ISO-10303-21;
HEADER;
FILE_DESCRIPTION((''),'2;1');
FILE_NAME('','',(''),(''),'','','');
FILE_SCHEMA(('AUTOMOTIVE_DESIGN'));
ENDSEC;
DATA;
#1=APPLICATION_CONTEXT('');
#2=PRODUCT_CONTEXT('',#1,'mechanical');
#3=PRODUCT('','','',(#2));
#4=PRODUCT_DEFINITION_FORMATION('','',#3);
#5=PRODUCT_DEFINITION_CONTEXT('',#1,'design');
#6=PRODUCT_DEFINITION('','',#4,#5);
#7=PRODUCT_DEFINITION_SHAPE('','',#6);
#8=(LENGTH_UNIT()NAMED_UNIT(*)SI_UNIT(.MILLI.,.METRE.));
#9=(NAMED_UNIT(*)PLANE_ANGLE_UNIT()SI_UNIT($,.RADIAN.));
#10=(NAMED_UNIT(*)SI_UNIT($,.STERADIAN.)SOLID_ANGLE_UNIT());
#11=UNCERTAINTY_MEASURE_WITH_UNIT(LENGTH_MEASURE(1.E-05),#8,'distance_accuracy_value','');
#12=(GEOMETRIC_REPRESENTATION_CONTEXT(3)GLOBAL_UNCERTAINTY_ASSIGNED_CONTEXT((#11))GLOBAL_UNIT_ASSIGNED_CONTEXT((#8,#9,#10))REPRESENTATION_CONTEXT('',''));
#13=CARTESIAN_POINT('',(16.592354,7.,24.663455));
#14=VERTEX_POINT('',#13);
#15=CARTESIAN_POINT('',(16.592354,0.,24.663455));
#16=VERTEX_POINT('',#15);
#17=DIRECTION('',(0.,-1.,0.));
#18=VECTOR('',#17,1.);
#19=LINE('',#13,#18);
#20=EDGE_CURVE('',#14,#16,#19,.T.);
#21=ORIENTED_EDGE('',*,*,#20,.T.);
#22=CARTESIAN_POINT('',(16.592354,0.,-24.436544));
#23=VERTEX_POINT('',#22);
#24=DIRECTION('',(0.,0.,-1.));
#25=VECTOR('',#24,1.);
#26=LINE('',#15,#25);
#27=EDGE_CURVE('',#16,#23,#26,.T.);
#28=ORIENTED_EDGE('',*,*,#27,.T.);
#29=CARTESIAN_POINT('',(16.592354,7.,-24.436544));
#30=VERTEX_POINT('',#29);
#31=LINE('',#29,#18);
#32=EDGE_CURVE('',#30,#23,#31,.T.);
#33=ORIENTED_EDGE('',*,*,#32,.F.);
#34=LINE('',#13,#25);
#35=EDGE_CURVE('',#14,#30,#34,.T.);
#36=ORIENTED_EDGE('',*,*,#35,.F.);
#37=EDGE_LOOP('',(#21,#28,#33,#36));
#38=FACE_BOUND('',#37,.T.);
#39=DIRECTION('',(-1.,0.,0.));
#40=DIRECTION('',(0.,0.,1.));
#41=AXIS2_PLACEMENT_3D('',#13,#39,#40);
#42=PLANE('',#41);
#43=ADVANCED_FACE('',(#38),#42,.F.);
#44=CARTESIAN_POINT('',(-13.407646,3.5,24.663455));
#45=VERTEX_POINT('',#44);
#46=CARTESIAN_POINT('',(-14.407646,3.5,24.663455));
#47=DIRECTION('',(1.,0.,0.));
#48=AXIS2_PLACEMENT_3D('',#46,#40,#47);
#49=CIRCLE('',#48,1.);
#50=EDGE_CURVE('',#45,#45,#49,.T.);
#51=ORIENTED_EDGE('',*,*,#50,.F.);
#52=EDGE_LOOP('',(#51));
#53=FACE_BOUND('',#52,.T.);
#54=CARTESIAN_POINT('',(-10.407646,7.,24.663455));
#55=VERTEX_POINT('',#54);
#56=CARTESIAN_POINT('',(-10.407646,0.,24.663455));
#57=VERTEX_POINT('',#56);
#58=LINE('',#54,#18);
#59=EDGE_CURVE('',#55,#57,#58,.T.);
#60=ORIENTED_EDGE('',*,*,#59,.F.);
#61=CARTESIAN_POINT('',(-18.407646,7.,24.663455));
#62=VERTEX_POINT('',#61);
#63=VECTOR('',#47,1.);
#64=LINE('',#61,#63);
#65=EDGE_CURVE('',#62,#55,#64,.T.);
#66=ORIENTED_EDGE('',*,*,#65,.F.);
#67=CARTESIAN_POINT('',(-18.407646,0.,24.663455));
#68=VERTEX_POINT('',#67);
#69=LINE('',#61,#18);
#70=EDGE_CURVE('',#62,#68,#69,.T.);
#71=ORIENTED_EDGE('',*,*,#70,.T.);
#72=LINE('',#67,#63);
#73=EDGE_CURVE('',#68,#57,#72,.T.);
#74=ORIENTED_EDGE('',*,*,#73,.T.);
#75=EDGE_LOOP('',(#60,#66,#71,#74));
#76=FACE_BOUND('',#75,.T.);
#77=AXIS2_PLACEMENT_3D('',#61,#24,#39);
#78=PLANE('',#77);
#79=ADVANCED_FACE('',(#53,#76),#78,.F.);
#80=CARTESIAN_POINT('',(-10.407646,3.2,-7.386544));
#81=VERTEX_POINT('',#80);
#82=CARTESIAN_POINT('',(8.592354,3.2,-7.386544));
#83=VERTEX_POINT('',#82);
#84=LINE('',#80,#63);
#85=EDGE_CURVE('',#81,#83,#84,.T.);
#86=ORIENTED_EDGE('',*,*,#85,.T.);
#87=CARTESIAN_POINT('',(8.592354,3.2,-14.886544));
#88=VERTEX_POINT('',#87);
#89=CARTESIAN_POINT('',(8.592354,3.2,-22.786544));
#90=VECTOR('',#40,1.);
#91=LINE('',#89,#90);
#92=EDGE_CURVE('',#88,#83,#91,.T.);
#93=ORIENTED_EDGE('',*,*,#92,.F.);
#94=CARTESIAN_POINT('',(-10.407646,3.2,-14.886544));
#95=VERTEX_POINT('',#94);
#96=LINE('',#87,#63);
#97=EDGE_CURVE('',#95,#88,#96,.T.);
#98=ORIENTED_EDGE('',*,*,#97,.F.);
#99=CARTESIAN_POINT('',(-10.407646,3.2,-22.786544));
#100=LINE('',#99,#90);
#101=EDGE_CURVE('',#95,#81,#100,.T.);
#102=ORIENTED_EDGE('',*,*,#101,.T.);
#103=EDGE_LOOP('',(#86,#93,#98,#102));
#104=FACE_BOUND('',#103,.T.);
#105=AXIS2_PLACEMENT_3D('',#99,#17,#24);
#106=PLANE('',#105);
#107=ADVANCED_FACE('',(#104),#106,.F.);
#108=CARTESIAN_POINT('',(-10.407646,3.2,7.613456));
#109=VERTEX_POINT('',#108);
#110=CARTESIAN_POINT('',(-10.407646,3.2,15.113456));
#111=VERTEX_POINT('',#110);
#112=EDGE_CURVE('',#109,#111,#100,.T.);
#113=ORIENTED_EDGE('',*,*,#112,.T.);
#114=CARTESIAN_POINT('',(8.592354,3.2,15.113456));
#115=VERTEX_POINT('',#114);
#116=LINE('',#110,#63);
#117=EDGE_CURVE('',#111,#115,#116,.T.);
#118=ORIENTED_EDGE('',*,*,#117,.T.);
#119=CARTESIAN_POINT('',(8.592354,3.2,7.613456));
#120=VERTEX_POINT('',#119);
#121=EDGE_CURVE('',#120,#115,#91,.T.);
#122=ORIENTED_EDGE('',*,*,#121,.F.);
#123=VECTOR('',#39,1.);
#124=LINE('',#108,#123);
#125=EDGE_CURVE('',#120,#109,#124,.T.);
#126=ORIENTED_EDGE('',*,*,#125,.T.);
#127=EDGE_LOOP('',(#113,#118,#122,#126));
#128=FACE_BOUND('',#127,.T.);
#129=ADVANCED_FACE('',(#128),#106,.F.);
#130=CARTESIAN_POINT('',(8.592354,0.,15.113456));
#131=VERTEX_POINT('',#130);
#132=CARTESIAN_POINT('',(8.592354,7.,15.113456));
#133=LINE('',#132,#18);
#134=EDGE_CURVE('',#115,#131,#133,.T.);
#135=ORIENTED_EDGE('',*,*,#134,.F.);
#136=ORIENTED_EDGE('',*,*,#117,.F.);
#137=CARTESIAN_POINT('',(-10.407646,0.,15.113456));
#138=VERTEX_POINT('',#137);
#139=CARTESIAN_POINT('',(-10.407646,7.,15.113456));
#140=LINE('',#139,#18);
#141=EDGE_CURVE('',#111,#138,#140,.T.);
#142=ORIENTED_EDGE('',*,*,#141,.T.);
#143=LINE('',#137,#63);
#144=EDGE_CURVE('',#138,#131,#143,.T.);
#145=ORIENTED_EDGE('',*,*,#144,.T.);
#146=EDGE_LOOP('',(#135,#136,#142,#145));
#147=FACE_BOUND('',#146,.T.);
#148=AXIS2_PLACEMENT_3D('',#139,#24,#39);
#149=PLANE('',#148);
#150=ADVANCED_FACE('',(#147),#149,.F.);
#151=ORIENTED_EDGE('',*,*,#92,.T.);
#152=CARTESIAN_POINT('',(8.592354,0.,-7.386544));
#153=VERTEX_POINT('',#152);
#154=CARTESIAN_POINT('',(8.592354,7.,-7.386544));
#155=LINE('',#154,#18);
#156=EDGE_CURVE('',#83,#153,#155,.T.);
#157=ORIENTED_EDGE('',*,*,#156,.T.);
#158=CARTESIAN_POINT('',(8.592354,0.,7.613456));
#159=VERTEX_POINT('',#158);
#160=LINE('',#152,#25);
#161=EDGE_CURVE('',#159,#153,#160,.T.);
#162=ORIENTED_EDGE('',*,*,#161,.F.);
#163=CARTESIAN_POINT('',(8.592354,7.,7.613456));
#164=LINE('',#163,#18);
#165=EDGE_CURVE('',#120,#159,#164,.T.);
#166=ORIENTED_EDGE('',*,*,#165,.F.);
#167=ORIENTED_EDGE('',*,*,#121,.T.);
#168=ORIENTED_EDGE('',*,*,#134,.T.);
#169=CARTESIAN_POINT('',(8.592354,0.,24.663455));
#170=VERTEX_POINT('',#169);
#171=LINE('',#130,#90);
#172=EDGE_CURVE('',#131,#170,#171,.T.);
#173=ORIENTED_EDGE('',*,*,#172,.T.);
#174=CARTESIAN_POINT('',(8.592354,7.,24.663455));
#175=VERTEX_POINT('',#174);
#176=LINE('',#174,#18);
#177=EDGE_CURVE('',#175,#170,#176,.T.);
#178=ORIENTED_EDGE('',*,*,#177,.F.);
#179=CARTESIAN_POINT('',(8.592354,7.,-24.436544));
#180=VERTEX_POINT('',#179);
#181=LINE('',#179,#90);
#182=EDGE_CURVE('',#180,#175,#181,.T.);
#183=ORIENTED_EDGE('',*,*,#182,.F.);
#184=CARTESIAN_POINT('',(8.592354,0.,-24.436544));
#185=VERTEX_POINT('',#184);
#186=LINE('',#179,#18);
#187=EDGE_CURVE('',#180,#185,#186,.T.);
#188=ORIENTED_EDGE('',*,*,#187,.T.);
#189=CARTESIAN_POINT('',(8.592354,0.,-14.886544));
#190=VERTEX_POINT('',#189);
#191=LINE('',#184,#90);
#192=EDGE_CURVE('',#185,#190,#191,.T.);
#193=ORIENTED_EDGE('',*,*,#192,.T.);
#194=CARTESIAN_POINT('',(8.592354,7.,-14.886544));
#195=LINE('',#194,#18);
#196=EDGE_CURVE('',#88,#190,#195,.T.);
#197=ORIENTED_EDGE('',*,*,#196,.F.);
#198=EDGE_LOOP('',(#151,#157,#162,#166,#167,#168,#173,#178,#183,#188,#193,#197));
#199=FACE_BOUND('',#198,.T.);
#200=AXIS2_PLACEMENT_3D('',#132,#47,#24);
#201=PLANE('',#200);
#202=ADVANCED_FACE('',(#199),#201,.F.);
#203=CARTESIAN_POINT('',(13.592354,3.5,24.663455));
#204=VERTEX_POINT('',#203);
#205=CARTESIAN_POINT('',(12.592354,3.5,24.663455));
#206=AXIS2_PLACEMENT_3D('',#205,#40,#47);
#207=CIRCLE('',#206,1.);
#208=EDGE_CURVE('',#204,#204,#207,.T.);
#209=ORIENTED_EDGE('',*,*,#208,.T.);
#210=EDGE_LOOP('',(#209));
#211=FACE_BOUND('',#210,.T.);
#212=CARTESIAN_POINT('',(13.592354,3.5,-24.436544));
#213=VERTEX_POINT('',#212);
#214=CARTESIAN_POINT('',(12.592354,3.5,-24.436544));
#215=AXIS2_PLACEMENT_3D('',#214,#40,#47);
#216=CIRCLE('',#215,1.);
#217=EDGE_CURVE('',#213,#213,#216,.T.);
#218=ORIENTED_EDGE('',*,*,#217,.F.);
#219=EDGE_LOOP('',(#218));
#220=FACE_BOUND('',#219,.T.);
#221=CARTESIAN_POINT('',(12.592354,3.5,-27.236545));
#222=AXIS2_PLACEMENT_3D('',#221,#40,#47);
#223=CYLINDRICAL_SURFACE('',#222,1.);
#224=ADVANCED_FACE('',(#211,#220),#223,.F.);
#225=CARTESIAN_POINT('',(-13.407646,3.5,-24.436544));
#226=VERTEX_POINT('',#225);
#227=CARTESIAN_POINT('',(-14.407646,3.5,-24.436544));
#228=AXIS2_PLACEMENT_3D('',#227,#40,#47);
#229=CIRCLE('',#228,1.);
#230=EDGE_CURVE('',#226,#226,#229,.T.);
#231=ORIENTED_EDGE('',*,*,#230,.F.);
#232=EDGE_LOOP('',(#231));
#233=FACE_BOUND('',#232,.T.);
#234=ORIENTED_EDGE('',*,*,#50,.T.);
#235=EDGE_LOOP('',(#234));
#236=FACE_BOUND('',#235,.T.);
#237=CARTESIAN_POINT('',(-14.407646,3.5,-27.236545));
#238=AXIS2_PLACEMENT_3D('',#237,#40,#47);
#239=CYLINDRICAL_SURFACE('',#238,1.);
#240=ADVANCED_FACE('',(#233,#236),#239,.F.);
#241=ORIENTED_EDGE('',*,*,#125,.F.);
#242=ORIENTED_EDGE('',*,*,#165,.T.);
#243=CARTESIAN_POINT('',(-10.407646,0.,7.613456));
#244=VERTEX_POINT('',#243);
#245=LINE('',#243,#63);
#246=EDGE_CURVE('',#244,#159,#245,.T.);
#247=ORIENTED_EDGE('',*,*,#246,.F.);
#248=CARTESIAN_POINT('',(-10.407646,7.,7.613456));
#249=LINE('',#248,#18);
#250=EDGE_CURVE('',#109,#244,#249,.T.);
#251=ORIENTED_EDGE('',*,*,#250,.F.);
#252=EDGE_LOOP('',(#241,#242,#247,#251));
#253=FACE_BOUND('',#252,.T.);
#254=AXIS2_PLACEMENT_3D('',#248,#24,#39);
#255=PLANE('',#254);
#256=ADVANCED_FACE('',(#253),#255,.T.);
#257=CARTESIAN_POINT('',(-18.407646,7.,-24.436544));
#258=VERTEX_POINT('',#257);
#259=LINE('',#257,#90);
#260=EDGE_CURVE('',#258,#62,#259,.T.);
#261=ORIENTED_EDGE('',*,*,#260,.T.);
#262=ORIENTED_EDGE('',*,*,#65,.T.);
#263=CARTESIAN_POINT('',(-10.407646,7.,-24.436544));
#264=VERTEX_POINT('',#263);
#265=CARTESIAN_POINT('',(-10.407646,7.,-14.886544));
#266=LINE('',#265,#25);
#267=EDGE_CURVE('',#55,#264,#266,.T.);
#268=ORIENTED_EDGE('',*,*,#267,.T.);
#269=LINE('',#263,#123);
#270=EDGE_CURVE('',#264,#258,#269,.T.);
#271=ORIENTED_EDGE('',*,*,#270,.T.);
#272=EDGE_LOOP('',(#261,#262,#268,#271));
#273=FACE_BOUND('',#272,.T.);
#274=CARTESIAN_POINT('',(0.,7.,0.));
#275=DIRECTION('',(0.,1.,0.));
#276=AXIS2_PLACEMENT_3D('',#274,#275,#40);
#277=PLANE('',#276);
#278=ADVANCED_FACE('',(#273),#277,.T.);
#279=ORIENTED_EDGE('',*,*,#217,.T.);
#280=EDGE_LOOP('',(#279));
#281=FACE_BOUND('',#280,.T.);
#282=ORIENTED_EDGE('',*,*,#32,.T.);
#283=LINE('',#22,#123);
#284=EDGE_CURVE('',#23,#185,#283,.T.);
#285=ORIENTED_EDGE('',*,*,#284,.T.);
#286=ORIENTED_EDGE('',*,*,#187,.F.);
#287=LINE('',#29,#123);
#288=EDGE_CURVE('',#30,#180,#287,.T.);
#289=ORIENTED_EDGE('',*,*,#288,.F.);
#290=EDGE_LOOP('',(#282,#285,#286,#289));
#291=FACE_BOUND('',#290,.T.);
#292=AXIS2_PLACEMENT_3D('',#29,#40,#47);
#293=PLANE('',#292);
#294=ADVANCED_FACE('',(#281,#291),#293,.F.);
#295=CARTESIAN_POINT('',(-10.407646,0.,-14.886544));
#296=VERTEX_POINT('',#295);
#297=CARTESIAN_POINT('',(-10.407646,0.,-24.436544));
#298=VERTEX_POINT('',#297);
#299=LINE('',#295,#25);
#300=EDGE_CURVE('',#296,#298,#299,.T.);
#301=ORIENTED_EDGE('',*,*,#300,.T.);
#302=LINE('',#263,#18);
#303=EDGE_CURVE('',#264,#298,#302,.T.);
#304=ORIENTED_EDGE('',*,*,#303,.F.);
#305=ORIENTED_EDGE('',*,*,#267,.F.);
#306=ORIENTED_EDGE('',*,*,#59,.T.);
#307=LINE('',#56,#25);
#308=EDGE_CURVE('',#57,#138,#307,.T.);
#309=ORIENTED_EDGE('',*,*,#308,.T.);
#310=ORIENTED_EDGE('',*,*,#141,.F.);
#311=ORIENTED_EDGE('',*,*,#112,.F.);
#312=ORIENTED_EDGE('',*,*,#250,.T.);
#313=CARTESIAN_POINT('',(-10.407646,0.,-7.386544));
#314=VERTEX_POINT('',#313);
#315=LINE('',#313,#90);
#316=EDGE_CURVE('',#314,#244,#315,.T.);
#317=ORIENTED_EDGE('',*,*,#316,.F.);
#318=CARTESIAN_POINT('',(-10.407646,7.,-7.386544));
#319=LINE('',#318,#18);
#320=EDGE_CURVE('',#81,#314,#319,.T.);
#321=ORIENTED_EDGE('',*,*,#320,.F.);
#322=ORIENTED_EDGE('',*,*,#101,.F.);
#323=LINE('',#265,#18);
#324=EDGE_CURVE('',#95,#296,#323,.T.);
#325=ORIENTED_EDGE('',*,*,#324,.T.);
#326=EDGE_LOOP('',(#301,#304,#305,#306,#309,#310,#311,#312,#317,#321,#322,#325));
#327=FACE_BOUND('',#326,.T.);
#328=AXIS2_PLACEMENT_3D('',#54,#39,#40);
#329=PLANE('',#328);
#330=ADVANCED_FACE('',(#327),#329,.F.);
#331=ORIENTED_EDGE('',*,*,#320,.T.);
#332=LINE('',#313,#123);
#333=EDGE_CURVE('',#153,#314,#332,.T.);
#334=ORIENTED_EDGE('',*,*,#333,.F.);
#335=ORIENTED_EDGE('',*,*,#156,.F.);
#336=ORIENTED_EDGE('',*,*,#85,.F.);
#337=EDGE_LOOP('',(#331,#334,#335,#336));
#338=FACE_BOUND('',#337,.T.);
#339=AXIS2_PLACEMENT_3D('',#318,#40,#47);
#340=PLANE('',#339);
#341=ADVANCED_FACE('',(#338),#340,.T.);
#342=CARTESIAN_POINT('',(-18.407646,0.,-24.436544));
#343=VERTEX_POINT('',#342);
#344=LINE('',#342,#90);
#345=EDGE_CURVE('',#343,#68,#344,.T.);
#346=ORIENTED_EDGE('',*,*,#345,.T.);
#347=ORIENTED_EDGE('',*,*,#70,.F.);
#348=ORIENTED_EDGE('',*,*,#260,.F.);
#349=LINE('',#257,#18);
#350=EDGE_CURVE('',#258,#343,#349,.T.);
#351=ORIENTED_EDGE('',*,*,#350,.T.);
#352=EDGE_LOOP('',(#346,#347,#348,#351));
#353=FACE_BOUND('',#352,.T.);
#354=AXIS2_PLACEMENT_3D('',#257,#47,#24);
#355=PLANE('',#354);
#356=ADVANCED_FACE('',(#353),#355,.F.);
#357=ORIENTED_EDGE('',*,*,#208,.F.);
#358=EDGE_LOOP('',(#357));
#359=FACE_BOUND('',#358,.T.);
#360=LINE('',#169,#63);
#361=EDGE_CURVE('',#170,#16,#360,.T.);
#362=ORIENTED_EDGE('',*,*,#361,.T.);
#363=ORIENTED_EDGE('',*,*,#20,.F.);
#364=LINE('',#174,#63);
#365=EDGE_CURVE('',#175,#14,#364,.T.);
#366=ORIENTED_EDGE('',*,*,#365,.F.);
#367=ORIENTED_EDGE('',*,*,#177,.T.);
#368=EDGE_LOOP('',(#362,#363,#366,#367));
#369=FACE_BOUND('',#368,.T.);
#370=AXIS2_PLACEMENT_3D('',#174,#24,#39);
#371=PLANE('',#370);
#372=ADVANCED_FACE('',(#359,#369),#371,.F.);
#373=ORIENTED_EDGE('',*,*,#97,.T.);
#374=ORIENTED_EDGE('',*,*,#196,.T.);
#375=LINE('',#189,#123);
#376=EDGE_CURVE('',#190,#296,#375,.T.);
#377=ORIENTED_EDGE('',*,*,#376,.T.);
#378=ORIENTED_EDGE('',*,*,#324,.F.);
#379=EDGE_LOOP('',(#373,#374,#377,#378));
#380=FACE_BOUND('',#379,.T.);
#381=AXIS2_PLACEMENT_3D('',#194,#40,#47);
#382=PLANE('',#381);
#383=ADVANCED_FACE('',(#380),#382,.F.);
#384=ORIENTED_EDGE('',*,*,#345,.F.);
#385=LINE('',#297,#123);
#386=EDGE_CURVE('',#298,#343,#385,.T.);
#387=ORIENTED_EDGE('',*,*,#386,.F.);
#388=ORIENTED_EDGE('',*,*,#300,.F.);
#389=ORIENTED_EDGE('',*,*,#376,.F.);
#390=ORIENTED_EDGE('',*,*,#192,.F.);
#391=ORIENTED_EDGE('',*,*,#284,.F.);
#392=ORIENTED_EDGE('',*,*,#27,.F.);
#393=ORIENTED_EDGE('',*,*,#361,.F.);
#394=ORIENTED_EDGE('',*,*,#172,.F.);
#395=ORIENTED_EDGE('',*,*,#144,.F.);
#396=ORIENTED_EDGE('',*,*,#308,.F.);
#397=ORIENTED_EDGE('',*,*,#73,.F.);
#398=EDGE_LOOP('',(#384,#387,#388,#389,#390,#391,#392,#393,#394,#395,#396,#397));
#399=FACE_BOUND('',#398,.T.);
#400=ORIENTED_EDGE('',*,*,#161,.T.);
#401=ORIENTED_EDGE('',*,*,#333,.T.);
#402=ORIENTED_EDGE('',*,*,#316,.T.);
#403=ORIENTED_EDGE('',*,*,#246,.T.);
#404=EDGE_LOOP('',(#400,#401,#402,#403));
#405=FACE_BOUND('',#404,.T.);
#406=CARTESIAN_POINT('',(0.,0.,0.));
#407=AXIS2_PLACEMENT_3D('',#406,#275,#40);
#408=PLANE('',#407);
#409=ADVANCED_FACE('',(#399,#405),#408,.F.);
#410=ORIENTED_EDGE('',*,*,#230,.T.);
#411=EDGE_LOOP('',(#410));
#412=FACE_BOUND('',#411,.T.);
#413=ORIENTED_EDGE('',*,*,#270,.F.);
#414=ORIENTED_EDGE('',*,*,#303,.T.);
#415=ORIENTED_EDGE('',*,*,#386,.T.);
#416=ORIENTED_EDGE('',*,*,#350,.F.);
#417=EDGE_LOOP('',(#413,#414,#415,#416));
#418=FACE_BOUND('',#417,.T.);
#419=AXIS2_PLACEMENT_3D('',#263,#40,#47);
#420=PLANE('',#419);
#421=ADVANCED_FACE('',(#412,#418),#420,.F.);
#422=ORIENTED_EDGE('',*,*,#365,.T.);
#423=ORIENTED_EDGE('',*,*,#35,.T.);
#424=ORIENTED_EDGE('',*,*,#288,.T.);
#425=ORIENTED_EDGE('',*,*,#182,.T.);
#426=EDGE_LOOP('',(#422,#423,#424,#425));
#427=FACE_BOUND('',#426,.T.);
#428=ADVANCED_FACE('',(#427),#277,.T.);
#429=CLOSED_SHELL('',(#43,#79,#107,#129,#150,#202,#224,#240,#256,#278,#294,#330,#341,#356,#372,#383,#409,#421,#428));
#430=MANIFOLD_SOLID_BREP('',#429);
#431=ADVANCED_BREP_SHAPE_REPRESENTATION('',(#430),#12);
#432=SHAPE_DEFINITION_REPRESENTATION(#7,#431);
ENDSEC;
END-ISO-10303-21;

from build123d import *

# Parameters (mm, degrees)
CROQUIS1_W              = 19
CROQUIS1_H              = 15
SALIENTE_EXTRUIR1_DEPTH = 7
CROQUIS3_W              = 19
CROQUIS3_H              = 3.8
CORTAR_EXTRUIR1_DEPTH   = 37.9
CROQUIS4_R              = 1
CORTAR_EXTRUIR2_DEPTH   = 51.9


with BuildPart() as part:
    # Croquis1 → Saliente-Extruir1 (new body)
    with BuildSketch(Plane(origin=(0, 0, 0), x_dir=(1, 0, 0), z_dir=(0, 1, 0))):
        Polygon((16.592354246, -24.663454956), (16.592354246, 24.436543518), (8.592354246, 24.436543518), (8.592354246, 14.886544281), (-10.407645754, 14.886544281), (-10.407645754, 24.436543518), (-18.407645754, 24.436543518), (-18.407645754, -24.663454956), (-10.407645754, -24.663454956), (-10.407645754, -15.113455719), (8.592354246, -15.113455719), (8.592354246, -24.663454956), align=None)
        with Locations((-0.907645754, -0.113455719)):
            Rectangle(CROQUIS1_W, CROQUIS1_H, mode=Mode.SUBTRACT)
    extrude(amount=SALIENTE_EXTRUIR1_DEPTH)

    # Croquis3 → Cortar-Extruir1 (cut)
    with BuildSketch(Plane.XY.offset(15.113455719)):
        with Locations((-0.907645754, 5.1)):
            Rectangle(CROQUIS3_W, CROQUIS3_H)
    extrude(amount=-CORTAR_EXTRUIR1_DEPTH, mode=Mode.SUBTRACT)

    # Croquis4 → Cortar-Extruir2 (cut)
    with BuildSketch(Plane.XY.offset(24.663454956)):
        with Locations((12.592354246, 3.5)):
            Circle(CROQUIS4_R)
        with Locations((-14.407645754, 3.5)):
            Circle(CROQUIS4_R)
    extrude(amount=-CORTAR_EXTRUIR2_DEPTH, mode=Mode.SUBTRACT)


solid = part.part
